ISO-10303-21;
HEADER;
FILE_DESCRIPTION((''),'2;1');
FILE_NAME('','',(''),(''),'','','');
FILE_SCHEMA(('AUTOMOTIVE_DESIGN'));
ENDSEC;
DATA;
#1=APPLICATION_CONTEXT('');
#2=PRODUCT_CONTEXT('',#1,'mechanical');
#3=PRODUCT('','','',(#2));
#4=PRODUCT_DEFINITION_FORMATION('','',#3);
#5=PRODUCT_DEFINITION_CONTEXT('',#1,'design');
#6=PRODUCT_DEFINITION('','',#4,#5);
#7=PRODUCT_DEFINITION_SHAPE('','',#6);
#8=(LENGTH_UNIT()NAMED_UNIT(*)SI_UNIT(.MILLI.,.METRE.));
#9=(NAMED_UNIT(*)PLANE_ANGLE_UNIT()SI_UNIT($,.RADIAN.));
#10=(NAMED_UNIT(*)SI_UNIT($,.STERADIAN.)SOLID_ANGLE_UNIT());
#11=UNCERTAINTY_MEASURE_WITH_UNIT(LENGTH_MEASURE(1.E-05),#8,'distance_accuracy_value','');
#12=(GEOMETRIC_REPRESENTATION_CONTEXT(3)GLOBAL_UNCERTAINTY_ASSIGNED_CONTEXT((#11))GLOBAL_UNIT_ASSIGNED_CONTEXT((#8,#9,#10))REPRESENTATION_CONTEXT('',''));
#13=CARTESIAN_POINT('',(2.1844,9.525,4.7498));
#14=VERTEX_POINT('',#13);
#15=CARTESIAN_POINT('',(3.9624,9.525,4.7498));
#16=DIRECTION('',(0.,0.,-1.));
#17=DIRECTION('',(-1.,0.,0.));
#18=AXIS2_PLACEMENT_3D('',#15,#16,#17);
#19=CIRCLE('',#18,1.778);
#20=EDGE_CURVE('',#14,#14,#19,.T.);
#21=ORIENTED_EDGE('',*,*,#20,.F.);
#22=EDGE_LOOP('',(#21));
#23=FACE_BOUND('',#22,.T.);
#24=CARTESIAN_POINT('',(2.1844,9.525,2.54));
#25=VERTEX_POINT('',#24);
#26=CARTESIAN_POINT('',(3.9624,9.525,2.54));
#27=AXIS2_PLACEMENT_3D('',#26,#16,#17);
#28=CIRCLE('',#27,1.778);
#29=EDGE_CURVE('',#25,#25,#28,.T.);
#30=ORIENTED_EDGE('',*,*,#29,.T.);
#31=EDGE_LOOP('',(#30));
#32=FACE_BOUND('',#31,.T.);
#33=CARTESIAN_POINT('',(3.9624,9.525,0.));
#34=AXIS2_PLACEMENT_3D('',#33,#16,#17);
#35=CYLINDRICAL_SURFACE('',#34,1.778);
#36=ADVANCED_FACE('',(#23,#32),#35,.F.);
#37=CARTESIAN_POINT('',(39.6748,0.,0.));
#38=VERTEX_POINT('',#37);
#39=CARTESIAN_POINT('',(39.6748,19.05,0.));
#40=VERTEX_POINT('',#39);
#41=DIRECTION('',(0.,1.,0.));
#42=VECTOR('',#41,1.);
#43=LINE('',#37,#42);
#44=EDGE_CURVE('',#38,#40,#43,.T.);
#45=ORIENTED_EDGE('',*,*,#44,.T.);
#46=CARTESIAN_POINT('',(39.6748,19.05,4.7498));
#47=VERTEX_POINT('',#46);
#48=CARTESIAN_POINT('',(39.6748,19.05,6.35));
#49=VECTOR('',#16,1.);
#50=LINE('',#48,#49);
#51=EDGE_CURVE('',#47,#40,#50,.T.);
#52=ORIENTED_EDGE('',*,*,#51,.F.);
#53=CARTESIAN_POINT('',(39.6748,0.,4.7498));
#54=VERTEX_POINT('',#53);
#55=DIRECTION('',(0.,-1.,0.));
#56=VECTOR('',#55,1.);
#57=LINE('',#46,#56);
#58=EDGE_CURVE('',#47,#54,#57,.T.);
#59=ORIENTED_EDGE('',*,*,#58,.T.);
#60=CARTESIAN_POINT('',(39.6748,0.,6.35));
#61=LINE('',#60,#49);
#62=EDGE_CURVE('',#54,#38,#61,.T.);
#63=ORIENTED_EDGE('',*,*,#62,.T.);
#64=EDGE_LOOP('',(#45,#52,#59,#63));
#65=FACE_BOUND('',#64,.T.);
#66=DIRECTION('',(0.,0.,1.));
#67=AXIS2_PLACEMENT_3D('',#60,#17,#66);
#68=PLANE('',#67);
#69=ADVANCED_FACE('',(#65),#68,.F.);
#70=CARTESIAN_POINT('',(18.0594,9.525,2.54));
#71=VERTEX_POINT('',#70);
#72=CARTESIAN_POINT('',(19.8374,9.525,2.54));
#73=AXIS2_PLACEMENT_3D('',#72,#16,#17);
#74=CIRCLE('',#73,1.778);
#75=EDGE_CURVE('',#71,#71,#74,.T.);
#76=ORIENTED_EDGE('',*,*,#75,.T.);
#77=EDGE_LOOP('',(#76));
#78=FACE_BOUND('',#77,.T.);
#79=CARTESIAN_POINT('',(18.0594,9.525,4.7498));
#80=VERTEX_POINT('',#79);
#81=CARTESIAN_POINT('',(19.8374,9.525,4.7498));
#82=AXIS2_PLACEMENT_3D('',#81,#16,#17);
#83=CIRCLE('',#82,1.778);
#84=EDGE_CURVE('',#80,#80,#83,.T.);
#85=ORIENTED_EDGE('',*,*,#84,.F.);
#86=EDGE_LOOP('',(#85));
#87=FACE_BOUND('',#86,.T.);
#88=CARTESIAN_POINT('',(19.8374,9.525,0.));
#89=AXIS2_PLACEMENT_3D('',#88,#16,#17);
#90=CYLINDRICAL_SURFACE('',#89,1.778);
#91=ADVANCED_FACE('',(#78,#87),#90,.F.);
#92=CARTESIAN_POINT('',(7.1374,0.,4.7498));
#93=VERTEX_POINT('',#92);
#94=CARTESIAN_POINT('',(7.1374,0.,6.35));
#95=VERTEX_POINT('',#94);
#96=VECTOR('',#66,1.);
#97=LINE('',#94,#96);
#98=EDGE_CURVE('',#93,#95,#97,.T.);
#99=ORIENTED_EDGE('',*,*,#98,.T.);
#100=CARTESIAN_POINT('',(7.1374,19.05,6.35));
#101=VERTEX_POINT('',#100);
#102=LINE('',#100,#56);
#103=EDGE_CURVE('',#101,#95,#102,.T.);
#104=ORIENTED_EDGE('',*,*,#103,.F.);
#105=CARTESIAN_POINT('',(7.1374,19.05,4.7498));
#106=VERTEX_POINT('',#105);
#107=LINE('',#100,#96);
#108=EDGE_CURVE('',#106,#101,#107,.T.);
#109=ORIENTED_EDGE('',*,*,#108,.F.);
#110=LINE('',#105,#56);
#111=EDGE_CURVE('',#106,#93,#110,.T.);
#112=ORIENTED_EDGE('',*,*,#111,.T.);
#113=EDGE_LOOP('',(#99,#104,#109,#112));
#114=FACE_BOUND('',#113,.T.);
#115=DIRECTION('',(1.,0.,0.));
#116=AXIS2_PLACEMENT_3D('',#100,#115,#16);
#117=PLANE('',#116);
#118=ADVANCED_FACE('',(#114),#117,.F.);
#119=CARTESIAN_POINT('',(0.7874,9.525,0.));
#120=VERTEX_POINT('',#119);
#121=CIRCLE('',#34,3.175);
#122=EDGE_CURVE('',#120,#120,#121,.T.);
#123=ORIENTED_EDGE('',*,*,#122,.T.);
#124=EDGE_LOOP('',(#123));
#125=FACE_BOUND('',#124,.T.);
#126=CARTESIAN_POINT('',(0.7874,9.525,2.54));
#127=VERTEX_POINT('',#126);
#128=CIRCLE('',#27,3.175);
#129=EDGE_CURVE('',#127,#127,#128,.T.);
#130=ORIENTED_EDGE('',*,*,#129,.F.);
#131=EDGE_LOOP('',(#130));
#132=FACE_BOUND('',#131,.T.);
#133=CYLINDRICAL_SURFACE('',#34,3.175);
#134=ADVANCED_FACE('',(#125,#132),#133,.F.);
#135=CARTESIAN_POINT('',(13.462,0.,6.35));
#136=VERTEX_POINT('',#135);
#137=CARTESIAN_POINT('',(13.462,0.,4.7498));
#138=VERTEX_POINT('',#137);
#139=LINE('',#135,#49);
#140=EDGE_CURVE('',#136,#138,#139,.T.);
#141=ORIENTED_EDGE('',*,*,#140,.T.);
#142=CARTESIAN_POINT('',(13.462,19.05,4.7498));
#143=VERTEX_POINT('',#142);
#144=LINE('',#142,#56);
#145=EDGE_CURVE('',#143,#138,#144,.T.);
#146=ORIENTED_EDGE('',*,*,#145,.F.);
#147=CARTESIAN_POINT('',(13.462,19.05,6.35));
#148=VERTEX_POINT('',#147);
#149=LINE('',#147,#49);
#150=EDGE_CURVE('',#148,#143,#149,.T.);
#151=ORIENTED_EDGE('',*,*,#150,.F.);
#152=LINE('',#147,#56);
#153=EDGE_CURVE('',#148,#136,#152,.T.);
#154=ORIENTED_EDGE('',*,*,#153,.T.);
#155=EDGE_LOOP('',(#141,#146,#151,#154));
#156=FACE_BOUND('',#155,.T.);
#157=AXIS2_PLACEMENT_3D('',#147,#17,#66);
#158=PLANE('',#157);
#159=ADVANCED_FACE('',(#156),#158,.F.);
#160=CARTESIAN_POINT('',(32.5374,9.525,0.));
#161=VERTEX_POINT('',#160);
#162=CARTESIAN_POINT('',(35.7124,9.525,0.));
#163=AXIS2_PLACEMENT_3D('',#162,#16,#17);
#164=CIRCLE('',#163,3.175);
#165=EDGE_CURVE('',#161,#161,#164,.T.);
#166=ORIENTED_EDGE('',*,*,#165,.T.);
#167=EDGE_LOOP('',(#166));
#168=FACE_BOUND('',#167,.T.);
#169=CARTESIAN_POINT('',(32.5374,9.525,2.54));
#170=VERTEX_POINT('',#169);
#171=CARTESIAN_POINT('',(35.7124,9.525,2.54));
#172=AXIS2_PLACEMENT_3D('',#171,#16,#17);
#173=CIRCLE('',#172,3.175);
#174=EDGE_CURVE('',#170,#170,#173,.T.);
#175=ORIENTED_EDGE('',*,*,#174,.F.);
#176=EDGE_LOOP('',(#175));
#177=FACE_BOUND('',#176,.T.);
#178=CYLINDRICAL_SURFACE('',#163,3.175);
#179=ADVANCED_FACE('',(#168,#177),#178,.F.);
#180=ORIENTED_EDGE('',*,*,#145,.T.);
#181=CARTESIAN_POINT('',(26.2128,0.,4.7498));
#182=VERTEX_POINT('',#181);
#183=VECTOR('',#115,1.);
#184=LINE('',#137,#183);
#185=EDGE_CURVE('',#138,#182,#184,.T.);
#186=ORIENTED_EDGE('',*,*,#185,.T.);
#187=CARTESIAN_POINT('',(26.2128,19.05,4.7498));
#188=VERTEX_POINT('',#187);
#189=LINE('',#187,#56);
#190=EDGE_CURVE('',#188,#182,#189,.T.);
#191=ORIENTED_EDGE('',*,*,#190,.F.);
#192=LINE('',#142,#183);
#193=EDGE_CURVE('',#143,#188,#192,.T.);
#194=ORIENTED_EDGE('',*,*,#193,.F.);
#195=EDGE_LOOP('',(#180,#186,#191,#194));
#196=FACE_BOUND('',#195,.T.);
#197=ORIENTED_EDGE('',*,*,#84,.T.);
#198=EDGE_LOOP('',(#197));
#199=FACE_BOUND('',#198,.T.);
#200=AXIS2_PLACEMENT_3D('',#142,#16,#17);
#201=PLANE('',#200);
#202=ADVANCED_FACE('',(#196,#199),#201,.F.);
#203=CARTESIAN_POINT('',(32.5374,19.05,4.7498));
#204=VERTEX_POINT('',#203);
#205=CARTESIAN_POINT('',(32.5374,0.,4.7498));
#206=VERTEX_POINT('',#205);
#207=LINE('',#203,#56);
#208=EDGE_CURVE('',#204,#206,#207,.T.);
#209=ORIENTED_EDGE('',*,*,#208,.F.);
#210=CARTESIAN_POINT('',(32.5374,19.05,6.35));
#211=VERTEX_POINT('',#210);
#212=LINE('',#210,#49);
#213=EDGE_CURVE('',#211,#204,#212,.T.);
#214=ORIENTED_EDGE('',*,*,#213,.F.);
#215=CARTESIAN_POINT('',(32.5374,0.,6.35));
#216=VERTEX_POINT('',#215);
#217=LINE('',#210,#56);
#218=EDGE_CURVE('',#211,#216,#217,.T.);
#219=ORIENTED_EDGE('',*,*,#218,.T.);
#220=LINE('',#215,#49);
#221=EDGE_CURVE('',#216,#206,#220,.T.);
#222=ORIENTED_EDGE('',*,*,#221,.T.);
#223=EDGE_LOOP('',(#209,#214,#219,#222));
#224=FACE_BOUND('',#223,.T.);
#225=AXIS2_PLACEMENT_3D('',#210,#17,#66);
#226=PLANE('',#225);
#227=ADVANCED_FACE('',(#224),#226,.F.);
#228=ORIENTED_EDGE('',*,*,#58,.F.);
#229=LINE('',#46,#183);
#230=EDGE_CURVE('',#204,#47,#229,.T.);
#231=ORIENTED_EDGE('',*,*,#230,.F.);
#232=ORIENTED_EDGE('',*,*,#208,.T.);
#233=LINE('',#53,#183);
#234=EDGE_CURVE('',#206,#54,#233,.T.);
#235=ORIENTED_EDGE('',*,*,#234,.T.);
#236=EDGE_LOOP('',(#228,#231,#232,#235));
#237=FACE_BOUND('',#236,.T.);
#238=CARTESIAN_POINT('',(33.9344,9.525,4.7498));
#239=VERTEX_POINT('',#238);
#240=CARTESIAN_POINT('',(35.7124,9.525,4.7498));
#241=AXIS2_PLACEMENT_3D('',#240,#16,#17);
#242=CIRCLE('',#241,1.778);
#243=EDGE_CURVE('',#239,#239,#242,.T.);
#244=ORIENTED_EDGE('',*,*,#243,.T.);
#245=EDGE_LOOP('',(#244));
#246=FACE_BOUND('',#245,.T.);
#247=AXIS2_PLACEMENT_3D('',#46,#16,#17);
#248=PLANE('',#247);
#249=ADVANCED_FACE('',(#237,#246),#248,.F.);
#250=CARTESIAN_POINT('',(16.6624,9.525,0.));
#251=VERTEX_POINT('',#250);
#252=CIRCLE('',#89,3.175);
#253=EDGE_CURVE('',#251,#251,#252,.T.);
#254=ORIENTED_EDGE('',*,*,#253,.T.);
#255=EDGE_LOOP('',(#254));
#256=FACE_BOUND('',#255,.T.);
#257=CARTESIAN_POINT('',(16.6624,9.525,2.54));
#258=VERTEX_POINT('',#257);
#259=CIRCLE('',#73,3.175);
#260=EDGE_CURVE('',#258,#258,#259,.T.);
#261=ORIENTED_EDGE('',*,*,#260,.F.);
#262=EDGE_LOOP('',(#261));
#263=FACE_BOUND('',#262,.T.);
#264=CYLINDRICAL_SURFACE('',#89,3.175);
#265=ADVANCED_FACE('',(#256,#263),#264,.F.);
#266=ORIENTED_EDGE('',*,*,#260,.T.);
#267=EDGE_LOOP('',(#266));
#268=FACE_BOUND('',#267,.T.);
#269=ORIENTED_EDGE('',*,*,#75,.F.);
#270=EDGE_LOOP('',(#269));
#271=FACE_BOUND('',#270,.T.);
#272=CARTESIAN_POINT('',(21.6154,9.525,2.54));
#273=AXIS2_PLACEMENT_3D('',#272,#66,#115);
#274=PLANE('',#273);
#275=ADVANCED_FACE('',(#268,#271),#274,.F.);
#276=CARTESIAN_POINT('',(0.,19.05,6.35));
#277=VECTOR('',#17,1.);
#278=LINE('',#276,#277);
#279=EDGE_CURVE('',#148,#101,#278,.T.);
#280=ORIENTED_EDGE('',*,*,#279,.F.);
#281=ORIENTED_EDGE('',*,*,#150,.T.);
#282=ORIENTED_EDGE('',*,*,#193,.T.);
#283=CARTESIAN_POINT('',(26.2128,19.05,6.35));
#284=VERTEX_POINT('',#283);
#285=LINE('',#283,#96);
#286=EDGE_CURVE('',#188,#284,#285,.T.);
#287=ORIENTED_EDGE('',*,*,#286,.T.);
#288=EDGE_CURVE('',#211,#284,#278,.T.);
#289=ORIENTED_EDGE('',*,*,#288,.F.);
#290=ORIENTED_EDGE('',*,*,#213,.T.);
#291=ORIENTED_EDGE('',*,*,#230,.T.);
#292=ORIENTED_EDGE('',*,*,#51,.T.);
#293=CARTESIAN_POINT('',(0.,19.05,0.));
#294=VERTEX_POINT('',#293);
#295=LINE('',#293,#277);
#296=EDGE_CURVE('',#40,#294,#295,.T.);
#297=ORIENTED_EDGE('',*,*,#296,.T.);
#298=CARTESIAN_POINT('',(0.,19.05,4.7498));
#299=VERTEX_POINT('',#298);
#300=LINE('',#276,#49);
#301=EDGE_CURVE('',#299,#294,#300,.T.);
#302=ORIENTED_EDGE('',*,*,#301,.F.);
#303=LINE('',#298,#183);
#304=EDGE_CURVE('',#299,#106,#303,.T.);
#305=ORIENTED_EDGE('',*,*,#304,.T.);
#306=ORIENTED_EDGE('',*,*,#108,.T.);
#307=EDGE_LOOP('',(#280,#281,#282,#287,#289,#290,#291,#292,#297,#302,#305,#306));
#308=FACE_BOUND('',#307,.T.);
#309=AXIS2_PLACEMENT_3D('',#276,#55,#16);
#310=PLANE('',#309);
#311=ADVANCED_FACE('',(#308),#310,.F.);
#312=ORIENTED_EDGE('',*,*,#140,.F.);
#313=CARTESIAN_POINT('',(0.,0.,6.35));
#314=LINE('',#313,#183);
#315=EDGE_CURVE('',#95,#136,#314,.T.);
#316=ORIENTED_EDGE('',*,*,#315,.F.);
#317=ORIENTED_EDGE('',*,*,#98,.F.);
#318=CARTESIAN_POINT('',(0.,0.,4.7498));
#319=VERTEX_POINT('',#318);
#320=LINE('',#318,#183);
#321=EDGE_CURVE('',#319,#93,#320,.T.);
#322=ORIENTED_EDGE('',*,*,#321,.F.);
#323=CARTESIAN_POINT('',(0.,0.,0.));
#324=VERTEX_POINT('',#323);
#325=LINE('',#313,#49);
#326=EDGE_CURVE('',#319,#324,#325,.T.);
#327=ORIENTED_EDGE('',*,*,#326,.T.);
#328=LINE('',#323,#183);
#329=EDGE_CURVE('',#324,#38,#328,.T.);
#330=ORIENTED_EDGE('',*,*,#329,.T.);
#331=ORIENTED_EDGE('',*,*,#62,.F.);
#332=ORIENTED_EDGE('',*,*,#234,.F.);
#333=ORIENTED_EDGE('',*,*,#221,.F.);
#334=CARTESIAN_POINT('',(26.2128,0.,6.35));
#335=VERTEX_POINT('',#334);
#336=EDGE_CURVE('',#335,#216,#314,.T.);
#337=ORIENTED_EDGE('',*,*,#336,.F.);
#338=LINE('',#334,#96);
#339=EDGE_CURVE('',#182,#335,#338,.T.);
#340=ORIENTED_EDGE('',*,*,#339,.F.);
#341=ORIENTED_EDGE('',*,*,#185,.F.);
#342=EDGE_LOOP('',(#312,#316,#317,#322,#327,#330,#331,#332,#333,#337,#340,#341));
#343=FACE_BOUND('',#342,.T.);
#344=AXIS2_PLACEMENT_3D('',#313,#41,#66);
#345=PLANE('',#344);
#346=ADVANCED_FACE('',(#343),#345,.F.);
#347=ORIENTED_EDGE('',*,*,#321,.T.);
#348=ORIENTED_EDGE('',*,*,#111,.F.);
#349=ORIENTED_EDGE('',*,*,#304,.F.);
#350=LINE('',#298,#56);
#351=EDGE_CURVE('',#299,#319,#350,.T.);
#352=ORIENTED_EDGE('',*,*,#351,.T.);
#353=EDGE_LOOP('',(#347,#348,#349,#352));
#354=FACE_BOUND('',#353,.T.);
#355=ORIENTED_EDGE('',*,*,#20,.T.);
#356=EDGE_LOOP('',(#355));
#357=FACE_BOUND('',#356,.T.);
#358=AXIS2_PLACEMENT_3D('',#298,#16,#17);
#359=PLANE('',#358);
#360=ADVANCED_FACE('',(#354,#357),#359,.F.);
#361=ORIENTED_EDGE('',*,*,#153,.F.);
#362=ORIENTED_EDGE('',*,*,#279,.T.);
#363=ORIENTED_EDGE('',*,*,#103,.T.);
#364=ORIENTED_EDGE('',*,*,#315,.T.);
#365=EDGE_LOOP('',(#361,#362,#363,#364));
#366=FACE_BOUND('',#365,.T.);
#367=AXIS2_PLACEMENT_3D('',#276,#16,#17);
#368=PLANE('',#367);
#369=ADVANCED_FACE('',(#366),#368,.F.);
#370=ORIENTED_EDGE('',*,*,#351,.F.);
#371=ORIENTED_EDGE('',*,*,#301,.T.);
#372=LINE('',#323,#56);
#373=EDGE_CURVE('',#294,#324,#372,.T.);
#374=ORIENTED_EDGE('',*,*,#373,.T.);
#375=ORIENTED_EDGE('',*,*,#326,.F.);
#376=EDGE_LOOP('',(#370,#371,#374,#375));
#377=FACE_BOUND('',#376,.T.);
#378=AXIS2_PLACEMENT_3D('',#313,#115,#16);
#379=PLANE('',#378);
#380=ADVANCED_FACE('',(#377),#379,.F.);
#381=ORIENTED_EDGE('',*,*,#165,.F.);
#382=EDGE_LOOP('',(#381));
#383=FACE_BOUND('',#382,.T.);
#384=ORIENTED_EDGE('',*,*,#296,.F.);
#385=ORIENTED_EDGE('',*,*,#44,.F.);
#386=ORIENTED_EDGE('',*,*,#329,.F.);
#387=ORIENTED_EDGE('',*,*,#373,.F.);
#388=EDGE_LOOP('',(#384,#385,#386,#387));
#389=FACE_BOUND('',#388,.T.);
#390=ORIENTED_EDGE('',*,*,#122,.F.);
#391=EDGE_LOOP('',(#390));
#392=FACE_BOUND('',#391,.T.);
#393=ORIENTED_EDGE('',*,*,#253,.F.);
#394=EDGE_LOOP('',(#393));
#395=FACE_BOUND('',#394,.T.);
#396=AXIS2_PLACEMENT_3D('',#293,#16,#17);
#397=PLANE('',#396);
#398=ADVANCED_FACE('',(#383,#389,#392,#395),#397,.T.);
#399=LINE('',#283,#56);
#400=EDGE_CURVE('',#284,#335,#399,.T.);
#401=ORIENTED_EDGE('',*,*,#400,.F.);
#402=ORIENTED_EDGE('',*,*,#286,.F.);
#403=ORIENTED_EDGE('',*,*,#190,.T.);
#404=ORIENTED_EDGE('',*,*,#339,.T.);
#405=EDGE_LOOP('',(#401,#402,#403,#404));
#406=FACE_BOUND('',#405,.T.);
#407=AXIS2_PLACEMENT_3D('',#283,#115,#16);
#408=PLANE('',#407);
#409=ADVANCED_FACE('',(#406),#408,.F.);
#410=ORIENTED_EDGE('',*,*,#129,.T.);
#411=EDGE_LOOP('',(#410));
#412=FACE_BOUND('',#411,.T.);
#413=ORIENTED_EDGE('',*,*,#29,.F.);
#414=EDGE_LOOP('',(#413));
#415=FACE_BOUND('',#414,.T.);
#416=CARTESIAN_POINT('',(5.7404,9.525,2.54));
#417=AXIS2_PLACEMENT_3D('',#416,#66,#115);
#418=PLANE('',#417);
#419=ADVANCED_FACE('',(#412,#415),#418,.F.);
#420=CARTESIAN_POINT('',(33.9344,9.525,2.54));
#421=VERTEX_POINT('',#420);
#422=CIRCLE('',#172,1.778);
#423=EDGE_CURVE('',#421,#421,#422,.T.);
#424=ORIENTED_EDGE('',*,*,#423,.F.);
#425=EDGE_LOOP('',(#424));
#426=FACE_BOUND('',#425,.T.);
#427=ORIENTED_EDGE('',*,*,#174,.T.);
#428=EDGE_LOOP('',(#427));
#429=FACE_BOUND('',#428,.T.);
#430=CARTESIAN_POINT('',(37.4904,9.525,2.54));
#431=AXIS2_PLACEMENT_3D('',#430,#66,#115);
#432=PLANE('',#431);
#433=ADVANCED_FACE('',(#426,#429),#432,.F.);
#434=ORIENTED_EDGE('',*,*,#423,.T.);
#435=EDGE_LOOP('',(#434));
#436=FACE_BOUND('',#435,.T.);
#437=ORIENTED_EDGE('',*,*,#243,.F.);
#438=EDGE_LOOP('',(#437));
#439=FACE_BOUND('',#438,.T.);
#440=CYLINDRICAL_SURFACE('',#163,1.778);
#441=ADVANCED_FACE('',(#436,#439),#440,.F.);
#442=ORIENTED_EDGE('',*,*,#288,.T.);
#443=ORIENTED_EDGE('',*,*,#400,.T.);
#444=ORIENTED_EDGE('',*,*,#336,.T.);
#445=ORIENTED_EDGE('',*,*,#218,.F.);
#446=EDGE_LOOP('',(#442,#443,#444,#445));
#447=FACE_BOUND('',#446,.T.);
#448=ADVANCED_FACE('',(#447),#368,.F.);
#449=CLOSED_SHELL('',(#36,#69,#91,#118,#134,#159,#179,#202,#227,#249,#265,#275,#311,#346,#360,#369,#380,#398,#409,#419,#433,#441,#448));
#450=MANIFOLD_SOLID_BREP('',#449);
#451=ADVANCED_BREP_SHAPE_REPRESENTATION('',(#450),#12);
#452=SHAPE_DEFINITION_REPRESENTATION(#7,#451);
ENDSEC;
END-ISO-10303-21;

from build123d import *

# Parameters (mm, degrees)
SKETCH1_W          = 39.6748
SKETCH1_H          = 19.05
EXTRUDE1_DEPTH     = 6.35
SKETCH2_W          = 7.1374
SKETCH2_H          = 1.6002
SKETCH2_W_2        = 12.7508
CUT_EXTRUDE1_DEPTH = 20.05
HOLE1_D            = 3.556
HOLE1_CBORE_D      = 6.35
HOLE1_CBORE_DEPTH  = 2.54


with BuildPart() as part:
    # Sketch1 → Extrude1 (new body)
    with BuildSketch(Plane.XY):
        with Locations((19.8374, 9.525)):
            Rectangle(SKETCH1_W, SKETCH1_H)
    extrude(amount=EXTRUDE1_DEPTH)

    # Sketch2 → Cut-Extrude1 (cut, through all)
    with BuildSketch(Plane.XZ):
        with Locations((3.5687, 5.5499)):
            Rectangle(SKETCH2_W, SKETCH2_H)
        with Locations((19.8374, 5.5499)):
            Rectangle(SKETCH2_W_2, SKETCH2_H)
        with Locations((36.1061, 5.5499)):
            Rectangle(SKETCH2_W, SKETCH2_H)
    extrude(amount=-CUT_EXTRUDE1_DEPTH, mode=Mode.SUBTRACT)

    # Hole1 (through all)
    with Locations(Plane(origin=(0, 0, 0), x_dir=(-1, 0, 0), z_dir=(0, 0, -1))):
        with Locations((-3.9624, 9.525), (-19.8374, 9.525), (-35.7124, 9.525)):
            CounterBoreHole(HOLE1_D / 2, HOLE1_CBORE_D / 2, HOLE1_CBORE_DEPTH)


solid = part.part
